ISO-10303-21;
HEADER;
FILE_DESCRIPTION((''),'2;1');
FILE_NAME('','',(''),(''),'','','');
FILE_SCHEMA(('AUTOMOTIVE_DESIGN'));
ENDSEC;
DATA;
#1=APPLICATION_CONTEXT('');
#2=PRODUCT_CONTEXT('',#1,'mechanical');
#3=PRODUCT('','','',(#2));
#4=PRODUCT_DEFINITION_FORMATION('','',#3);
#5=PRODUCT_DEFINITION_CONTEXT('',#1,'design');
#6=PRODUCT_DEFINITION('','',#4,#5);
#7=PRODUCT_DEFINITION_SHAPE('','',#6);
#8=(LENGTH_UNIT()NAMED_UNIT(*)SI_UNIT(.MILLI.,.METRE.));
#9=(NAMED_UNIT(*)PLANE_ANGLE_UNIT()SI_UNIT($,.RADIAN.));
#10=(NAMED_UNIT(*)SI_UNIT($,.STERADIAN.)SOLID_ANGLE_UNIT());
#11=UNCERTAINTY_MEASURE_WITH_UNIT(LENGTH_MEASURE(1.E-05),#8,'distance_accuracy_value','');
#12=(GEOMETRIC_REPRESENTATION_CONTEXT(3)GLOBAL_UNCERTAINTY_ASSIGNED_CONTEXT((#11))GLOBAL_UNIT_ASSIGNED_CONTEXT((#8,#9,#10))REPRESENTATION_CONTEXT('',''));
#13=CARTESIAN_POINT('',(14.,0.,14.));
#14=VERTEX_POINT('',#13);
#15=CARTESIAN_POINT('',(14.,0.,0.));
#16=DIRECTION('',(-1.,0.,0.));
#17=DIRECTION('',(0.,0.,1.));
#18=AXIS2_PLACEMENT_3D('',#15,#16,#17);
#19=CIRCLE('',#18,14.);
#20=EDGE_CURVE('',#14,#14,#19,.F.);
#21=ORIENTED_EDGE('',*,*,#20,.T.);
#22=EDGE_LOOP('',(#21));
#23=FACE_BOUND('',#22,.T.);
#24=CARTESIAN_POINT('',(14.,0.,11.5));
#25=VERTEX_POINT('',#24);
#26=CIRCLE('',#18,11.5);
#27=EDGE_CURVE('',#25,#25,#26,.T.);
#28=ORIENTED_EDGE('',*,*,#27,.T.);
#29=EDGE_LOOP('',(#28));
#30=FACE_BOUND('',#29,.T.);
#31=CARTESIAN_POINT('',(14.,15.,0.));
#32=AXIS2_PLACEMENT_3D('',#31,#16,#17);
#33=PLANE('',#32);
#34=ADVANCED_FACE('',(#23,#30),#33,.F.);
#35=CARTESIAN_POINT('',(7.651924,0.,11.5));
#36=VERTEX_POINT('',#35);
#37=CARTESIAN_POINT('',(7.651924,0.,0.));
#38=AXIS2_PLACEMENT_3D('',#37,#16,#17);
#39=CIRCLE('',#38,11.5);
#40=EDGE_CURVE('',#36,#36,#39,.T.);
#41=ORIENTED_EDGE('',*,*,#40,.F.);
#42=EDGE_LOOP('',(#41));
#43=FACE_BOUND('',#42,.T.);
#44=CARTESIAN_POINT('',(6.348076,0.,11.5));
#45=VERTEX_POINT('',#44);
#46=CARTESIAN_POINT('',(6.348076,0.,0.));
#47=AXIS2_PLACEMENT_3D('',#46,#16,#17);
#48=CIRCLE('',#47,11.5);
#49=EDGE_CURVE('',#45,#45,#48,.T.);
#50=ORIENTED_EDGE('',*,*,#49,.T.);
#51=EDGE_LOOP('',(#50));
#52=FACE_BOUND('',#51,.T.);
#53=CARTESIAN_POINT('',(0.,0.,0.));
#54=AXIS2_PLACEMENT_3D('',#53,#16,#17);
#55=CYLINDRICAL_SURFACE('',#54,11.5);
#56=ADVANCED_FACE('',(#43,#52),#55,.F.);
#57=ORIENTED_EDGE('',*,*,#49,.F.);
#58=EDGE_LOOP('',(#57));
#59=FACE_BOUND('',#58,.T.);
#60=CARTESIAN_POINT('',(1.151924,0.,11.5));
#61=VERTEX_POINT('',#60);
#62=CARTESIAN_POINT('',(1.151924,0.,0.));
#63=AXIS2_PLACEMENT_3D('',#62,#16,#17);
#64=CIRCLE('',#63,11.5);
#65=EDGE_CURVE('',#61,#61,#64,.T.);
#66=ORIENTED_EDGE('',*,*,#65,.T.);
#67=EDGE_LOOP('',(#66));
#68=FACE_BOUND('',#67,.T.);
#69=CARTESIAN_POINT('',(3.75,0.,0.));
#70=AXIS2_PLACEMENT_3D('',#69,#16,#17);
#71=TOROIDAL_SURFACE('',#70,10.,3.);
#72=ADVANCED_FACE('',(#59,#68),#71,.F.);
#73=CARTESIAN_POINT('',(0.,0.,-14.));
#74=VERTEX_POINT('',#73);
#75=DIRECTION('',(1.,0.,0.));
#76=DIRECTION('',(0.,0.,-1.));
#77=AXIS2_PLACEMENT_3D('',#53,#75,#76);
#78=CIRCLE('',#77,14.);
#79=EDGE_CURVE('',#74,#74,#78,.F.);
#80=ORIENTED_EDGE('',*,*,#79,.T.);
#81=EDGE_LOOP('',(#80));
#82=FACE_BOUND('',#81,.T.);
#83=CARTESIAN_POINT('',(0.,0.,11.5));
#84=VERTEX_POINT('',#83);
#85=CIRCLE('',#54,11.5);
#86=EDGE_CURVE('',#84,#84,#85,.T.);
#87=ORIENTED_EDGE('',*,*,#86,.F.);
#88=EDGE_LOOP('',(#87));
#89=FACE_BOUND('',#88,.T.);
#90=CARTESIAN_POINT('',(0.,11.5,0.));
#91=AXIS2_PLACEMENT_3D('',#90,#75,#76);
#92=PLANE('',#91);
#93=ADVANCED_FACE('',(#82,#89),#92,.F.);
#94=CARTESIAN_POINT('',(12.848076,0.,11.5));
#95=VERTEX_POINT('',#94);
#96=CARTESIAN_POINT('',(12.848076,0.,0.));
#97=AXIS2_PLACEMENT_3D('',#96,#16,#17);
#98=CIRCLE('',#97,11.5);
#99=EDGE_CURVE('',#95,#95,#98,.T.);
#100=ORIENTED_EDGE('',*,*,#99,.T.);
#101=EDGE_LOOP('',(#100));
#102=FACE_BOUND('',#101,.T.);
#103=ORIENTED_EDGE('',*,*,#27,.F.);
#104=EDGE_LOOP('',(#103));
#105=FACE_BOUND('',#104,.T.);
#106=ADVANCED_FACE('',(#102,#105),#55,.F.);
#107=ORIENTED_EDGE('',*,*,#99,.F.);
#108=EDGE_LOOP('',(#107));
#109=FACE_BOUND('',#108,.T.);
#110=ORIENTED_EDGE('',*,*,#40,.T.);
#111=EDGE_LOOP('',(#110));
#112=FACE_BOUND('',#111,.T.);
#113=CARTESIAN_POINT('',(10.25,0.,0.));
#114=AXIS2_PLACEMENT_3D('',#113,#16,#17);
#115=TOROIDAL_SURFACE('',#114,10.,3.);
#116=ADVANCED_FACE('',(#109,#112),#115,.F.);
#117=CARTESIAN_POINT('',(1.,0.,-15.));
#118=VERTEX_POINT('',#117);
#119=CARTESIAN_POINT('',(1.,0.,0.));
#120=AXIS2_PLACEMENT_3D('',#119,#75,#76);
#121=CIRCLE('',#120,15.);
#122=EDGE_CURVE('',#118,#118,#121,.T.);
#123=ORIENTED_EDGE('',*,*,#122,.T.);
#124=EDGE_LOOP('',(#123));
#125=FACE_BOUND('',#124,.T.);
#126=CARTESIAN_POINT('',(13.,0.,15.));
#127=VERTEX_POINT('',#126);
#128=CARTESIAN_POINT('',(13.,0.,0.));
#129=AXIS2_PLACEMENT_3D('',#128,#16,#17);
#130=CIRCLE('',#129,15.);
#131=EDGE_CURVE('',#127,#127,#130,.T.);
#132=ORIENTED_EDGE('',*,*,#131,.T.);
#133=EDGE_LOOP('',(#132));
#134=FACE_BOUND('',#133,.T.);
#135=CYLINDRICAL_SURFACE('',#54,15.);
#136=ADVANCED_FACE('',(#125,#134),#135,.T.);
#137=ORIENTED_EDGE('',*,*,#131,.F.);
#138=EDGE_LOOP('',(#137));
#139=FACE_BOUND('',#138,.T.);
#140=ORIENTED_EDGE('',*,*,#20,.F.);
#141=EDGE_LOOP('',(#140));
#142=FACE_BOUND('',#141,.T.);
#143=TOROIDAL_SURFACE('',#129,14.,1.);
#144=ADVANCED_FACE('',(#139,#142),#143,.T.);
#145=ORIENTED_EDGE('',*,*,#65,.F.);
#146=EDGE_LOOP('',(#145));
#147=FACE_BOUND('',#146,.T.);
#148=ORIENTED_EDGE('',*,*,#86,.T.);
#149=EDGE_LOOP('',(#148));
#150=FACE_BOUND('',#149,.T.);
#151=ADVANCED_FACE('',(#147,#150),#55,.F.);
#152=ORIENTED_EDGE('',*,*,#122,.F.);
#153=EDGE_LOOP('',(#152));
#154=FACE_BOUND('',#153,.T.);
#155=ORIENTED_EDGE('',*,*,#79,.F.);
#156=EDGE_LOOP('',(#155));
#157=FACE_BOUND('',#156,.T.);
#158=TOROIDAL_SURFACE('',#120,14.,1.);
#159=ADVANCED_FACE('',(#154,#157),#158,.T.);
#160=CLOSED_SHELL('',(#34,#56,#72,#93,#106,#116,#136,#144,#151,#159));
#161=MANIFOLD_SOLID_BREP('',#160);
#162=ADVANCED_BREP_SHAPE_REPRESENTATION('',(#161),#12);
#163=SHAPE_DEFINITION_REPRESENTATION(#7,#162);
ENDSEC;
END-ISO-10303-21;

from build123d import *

# Parameters (mm, degrees)
CONG_1_R = 1


with BuildPart() as part:
    # Esquisse1 → Base-Révolution (revolve)
    with BuildSketch(Plane.XY, mode=Mode.PRIVATE) as base_r_volution_sk:
        with BuildLine():
            Line((0, 11.5), (0, 15))
            Line((0, 15), (14, 15))
            Line((14, 15), (14, 11.5))
            Line((14, 11.5), (12.848076211, 11.5))
            ThreePointArc((12.848076211, 11.5), (10.25, 13), (7.651923789, 11.5))
            Line((7.651923789, 11.5), (6.348076211, 11.5))
            ThreePointArc((6.348076211, 11.5), (3.75, 13), (1.151923789, 11.5))
            Line((1.151923789, 11.5), (0, 11.5))
        make_face()
    revolve(base_r_volution_sk.sketch.rotate(Axis((0, 0, 0), (1, 0, 0)), 90), axis=Axis((0, 0, 0), (1, 0, 0)))

    # Congé1
    cong_1_edges = [part.edges().sort_by_distance(p)[0] for p in [
        (0, 0, -15),
        (14, 0, -15),
    ]]
    fillet(cong_1_edges, radius=CONG_1_R)


solid = part.part
